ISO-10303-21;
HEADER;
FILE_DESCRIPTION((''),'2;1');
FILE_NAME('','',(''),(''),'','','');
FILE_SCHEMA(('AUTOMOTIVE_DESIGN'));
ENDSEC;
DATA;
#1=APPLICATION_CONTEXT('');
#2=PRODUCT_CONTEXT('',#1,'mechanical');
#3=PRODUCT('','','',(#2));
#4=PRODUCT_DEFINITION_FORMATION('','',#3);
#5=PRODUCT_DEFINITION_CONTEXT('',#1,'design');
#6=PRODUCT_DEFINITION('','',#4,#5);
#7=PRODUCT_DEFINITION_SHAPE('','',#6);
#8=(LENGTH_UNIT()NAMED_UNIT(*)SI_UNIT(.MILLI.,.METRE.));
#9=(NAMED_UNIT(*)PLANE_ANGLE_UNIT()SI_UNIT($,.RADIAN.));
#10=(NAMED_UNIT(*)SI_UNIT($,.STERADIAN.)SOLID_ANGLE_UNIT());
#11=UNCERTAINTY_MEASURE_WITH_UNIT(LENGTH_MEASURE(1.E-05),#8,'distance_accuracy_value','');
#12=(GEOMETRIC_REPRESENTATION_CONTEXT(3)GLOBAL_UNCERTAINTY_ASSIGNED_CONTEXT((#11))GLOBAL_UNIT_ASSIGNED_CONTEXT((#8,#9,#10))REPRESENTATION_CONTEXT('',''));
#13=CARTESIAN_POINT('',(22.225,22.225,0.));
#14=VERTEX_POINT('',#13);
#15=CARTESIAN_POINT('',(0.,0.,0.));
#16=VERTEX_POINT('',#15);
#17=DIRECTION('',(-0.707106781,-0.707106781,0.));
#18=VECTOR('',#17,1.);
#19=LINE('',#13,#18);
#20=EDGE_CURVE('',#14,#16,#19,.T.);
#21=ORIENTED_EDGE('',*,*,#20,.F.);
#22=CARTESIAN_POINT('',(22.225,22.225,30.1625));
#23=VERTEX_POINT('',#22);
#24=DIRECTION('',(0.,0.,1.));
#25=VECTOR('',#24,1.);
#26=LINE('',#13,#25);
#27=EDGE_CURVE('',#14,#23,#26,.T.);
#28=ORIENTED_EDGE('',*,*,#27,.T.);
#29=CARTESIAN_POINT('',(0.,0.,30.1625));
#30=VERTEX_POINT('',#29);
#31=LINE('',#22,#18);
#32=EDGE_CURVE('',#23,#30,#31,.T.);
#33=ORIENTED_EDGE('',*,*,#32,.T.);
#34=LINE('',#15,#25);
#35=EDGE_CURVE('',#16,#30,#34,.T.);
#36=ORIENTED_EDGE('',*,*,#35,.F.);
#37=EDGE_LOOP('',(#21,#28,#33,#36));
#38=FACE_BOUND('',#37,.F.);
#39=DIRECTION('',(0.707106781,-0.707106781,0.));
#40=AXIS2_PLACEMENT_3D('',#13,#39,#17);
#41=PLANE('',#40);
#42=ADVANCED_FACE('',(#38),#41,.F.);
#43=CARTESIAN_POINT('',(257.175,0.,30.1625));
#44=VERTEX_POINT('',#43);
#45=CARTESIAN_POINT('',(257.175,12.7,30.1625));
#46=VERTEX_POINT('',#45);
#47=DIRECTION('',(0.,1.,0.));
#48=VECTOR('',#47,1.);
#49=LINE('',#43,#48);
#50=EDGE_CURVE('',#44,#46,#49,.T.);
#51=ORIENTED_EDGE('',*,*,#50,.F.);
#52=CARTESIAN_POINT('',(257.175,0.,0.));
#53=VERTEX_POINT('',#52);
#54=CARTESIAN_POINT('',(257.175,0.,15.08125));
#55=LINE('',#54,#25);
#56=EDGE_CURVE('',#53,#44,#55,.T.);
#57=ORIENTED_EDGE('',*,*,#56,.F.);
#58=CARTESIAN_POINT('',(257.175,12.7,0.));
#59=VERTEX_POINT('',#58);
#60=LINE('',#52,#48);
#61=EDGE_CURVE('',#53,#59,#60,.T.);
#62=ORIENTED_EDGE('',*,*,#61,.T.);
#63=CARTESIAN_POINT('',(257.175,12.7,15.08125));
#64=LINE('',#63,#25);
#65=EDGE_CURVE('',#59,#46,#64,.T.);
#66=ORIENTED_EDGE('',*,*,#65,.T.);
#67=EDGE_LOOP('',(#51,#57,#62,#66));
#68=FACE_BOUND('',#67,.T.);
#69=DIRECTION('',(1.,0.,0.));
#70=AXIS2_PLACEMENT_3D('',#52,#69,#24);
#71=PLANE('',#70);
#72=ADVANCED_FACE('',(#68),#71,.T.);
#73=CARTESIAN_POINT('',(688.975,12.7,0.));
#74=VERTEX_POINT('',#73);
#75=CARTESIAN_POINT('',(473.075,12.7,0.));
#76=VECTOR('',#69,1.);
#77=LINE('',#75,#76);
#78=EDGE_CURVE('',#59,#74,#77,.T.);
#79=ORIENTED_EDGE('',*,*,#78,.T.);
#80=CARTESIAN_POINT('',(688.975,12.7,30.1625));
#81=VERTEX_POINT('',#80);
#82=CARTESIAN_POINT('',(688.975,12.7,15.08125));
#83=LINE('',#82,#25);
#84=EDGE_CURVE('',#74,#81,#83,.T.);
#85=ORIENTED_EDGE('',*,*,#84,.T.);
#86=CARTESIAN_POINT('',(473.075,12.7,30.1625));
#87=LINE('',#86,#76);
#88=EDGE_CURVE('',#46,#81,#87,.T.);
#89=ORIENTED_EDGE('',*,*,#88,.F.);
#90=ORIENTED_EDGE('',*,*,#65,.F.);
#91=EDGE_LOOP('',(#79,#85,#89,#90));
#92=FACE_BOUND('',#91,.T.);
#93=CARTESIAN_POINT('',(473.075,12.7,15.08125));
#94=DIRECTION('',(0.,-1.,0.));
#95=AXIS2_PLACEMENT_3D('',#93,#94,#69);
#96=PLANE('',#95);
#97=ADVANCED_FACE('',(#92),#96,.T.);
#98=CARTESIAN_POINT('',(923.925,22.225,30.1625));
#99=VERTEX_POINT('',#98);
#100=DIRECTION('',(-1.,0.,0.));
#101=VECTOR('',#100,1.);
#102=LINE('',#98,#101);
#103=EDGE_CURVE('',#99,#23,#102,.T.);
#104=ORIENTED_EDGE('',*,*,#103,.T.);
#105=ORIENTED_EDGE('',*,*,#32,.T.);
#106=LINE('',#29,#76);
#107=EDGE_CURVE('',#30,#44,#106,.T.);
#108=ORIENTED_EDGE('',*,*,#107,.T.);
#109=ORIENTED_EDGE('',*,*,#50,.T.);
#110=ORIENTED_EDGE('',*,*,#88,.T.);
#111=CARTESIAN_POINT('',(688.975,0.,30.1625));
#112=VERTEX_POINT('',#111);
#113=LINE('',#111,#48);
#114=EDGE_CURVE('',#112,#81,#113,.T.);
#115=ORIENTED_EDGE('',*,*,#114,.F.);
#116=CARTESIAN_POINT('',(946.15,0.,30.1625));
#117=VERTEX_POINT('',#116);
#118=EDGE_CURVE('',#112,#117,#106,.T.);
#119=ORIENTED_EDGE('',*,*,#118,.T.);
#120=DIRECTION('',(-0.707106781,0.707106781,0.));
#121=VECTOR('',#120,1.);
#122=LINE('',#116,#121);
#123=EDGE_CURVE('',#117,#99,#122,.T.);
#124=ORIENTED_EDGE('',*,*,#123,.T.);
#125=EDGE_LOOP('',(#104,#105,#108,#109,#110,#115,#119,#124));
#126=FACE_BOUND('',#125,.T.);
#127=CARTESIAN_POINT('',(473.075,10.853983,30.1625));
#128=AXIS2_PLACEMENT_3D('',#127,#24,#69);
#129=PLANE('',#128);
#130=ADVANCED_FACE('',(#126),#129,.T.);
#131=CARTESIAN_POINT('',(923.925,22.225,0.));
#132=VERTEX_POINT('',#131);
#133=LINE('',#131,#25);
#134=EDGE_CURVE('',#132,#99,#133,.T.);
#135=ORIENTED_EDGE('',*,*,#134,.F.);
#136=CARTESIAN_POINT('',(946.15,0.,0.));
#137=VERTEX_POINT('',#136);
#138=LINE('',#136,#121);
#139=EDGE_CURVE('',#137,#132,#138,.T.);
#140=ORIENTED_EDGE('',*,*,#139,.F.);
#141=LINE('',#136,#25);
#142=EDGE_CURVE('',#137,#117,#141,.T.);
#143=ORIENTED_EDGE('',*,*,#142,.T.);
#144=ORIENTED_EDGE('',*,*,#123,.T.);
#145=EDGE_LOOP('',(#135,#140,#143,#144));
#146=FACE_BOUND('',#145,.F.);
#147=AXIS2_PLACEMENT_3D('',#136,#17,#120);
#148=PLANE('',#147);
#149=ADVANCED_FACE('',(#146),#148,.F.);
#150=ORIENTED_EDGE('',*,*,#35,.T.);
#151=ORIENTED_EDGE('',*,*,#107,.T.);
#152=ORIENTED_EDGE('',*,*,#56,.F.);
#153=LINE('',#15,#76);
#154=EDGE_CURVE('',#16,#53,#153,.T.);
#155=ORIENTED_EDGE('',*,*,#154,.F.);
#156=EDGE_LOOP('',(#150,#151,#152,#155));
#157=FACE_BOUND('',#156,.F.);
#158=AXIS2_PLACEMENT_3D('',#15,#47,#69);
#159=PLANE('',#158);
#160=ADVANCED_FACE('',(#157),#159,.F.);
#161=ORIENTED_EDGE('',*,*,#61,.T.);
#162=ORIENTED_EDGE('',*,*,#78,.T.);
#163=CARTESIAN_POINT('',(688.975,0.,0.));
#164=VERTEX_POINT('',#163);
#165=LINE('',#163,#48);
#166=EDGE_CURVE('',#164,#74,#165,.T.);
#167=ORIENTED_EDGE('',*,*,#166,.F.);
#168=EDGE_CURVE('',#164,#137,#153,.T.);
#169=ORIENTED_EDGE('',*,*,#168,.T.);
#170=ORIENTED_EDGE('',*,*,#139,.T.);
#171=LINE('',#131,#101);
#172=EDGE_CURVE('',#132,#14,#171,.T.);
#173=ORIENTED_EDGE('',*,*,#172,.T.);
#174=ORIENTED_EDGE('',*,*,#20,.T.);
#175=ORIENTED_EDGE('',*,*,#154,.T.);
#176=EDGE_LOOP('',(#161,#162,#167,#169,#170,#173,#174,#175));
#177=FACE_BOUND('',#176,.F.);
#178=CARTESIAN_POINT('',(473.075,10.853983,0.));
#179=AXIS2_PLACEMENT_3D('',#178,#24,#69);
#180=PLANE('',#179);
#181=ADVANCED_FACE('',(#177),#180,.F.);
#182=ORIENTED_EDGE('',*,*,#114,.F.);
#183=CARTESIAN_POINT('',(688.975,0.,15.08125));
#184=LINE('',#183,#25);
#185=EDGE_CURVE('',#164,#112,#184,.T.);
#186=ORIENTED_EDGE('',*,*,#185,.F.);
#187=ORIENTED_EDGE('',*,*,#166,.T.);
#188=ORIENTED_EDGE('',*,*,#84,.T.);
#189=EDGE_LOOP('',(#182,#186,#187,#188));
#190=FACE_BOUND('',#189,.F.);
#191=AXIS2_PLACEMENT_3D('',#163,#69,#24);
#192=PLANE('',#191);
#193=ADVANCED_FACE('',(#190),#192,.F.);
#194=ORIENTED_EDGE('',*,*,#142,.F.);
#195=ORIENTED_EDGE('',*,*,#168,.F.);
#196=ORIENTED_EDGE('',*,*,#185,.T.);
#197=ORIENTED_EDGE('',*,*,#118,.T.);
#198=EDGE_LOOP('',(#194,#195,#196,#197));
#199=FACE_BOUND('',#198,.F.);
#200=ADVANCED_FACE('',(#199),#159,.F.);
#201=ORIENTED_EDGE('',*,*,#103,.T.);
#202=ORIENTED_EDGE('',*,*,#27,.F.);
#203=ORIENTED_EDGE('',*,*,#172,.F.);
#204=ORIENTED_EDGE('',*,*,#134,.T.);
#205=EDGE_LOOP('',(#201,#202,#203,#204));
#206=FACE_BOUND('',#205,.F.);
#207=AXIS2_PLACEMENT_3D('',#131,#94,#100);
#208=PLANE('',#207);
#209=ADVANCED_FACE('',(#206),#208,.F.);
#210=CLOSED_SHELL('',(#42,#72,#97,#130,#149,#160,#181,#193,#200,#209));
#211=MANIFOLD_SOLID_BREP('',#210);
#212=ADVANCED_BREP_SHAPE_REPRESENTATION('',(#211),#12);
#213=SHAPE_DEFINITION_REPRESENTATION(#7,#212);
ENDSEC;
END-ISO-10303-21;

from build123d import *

# Parameters (mm, degrees)
F1_DEPTH = 30.1625
F2_W     = 431.8
F2_H     = 30.1625
F3_DEPTH = 12.7


with BuildPart() as f1:
    # F0 (on Top) → F1 (new body)
    with BuildSketch(Plane.XY):
        Polygon((22.225, 22.225), (0, 0), (946.15, 0), (923.925, 22.225), align=None)
    extrude(amount=F1_DEPTH)

    # F2 (on face) → F3 (cut)
    with BuildSketch(Plane.XZ):
        with Locations((473.075, 15.08125)):
            Rectangle(F2_W, F2_H)
    extrude(amount=-F3_DEPTH, mode=Mode.SUBTRACT)


solid = f1.part
